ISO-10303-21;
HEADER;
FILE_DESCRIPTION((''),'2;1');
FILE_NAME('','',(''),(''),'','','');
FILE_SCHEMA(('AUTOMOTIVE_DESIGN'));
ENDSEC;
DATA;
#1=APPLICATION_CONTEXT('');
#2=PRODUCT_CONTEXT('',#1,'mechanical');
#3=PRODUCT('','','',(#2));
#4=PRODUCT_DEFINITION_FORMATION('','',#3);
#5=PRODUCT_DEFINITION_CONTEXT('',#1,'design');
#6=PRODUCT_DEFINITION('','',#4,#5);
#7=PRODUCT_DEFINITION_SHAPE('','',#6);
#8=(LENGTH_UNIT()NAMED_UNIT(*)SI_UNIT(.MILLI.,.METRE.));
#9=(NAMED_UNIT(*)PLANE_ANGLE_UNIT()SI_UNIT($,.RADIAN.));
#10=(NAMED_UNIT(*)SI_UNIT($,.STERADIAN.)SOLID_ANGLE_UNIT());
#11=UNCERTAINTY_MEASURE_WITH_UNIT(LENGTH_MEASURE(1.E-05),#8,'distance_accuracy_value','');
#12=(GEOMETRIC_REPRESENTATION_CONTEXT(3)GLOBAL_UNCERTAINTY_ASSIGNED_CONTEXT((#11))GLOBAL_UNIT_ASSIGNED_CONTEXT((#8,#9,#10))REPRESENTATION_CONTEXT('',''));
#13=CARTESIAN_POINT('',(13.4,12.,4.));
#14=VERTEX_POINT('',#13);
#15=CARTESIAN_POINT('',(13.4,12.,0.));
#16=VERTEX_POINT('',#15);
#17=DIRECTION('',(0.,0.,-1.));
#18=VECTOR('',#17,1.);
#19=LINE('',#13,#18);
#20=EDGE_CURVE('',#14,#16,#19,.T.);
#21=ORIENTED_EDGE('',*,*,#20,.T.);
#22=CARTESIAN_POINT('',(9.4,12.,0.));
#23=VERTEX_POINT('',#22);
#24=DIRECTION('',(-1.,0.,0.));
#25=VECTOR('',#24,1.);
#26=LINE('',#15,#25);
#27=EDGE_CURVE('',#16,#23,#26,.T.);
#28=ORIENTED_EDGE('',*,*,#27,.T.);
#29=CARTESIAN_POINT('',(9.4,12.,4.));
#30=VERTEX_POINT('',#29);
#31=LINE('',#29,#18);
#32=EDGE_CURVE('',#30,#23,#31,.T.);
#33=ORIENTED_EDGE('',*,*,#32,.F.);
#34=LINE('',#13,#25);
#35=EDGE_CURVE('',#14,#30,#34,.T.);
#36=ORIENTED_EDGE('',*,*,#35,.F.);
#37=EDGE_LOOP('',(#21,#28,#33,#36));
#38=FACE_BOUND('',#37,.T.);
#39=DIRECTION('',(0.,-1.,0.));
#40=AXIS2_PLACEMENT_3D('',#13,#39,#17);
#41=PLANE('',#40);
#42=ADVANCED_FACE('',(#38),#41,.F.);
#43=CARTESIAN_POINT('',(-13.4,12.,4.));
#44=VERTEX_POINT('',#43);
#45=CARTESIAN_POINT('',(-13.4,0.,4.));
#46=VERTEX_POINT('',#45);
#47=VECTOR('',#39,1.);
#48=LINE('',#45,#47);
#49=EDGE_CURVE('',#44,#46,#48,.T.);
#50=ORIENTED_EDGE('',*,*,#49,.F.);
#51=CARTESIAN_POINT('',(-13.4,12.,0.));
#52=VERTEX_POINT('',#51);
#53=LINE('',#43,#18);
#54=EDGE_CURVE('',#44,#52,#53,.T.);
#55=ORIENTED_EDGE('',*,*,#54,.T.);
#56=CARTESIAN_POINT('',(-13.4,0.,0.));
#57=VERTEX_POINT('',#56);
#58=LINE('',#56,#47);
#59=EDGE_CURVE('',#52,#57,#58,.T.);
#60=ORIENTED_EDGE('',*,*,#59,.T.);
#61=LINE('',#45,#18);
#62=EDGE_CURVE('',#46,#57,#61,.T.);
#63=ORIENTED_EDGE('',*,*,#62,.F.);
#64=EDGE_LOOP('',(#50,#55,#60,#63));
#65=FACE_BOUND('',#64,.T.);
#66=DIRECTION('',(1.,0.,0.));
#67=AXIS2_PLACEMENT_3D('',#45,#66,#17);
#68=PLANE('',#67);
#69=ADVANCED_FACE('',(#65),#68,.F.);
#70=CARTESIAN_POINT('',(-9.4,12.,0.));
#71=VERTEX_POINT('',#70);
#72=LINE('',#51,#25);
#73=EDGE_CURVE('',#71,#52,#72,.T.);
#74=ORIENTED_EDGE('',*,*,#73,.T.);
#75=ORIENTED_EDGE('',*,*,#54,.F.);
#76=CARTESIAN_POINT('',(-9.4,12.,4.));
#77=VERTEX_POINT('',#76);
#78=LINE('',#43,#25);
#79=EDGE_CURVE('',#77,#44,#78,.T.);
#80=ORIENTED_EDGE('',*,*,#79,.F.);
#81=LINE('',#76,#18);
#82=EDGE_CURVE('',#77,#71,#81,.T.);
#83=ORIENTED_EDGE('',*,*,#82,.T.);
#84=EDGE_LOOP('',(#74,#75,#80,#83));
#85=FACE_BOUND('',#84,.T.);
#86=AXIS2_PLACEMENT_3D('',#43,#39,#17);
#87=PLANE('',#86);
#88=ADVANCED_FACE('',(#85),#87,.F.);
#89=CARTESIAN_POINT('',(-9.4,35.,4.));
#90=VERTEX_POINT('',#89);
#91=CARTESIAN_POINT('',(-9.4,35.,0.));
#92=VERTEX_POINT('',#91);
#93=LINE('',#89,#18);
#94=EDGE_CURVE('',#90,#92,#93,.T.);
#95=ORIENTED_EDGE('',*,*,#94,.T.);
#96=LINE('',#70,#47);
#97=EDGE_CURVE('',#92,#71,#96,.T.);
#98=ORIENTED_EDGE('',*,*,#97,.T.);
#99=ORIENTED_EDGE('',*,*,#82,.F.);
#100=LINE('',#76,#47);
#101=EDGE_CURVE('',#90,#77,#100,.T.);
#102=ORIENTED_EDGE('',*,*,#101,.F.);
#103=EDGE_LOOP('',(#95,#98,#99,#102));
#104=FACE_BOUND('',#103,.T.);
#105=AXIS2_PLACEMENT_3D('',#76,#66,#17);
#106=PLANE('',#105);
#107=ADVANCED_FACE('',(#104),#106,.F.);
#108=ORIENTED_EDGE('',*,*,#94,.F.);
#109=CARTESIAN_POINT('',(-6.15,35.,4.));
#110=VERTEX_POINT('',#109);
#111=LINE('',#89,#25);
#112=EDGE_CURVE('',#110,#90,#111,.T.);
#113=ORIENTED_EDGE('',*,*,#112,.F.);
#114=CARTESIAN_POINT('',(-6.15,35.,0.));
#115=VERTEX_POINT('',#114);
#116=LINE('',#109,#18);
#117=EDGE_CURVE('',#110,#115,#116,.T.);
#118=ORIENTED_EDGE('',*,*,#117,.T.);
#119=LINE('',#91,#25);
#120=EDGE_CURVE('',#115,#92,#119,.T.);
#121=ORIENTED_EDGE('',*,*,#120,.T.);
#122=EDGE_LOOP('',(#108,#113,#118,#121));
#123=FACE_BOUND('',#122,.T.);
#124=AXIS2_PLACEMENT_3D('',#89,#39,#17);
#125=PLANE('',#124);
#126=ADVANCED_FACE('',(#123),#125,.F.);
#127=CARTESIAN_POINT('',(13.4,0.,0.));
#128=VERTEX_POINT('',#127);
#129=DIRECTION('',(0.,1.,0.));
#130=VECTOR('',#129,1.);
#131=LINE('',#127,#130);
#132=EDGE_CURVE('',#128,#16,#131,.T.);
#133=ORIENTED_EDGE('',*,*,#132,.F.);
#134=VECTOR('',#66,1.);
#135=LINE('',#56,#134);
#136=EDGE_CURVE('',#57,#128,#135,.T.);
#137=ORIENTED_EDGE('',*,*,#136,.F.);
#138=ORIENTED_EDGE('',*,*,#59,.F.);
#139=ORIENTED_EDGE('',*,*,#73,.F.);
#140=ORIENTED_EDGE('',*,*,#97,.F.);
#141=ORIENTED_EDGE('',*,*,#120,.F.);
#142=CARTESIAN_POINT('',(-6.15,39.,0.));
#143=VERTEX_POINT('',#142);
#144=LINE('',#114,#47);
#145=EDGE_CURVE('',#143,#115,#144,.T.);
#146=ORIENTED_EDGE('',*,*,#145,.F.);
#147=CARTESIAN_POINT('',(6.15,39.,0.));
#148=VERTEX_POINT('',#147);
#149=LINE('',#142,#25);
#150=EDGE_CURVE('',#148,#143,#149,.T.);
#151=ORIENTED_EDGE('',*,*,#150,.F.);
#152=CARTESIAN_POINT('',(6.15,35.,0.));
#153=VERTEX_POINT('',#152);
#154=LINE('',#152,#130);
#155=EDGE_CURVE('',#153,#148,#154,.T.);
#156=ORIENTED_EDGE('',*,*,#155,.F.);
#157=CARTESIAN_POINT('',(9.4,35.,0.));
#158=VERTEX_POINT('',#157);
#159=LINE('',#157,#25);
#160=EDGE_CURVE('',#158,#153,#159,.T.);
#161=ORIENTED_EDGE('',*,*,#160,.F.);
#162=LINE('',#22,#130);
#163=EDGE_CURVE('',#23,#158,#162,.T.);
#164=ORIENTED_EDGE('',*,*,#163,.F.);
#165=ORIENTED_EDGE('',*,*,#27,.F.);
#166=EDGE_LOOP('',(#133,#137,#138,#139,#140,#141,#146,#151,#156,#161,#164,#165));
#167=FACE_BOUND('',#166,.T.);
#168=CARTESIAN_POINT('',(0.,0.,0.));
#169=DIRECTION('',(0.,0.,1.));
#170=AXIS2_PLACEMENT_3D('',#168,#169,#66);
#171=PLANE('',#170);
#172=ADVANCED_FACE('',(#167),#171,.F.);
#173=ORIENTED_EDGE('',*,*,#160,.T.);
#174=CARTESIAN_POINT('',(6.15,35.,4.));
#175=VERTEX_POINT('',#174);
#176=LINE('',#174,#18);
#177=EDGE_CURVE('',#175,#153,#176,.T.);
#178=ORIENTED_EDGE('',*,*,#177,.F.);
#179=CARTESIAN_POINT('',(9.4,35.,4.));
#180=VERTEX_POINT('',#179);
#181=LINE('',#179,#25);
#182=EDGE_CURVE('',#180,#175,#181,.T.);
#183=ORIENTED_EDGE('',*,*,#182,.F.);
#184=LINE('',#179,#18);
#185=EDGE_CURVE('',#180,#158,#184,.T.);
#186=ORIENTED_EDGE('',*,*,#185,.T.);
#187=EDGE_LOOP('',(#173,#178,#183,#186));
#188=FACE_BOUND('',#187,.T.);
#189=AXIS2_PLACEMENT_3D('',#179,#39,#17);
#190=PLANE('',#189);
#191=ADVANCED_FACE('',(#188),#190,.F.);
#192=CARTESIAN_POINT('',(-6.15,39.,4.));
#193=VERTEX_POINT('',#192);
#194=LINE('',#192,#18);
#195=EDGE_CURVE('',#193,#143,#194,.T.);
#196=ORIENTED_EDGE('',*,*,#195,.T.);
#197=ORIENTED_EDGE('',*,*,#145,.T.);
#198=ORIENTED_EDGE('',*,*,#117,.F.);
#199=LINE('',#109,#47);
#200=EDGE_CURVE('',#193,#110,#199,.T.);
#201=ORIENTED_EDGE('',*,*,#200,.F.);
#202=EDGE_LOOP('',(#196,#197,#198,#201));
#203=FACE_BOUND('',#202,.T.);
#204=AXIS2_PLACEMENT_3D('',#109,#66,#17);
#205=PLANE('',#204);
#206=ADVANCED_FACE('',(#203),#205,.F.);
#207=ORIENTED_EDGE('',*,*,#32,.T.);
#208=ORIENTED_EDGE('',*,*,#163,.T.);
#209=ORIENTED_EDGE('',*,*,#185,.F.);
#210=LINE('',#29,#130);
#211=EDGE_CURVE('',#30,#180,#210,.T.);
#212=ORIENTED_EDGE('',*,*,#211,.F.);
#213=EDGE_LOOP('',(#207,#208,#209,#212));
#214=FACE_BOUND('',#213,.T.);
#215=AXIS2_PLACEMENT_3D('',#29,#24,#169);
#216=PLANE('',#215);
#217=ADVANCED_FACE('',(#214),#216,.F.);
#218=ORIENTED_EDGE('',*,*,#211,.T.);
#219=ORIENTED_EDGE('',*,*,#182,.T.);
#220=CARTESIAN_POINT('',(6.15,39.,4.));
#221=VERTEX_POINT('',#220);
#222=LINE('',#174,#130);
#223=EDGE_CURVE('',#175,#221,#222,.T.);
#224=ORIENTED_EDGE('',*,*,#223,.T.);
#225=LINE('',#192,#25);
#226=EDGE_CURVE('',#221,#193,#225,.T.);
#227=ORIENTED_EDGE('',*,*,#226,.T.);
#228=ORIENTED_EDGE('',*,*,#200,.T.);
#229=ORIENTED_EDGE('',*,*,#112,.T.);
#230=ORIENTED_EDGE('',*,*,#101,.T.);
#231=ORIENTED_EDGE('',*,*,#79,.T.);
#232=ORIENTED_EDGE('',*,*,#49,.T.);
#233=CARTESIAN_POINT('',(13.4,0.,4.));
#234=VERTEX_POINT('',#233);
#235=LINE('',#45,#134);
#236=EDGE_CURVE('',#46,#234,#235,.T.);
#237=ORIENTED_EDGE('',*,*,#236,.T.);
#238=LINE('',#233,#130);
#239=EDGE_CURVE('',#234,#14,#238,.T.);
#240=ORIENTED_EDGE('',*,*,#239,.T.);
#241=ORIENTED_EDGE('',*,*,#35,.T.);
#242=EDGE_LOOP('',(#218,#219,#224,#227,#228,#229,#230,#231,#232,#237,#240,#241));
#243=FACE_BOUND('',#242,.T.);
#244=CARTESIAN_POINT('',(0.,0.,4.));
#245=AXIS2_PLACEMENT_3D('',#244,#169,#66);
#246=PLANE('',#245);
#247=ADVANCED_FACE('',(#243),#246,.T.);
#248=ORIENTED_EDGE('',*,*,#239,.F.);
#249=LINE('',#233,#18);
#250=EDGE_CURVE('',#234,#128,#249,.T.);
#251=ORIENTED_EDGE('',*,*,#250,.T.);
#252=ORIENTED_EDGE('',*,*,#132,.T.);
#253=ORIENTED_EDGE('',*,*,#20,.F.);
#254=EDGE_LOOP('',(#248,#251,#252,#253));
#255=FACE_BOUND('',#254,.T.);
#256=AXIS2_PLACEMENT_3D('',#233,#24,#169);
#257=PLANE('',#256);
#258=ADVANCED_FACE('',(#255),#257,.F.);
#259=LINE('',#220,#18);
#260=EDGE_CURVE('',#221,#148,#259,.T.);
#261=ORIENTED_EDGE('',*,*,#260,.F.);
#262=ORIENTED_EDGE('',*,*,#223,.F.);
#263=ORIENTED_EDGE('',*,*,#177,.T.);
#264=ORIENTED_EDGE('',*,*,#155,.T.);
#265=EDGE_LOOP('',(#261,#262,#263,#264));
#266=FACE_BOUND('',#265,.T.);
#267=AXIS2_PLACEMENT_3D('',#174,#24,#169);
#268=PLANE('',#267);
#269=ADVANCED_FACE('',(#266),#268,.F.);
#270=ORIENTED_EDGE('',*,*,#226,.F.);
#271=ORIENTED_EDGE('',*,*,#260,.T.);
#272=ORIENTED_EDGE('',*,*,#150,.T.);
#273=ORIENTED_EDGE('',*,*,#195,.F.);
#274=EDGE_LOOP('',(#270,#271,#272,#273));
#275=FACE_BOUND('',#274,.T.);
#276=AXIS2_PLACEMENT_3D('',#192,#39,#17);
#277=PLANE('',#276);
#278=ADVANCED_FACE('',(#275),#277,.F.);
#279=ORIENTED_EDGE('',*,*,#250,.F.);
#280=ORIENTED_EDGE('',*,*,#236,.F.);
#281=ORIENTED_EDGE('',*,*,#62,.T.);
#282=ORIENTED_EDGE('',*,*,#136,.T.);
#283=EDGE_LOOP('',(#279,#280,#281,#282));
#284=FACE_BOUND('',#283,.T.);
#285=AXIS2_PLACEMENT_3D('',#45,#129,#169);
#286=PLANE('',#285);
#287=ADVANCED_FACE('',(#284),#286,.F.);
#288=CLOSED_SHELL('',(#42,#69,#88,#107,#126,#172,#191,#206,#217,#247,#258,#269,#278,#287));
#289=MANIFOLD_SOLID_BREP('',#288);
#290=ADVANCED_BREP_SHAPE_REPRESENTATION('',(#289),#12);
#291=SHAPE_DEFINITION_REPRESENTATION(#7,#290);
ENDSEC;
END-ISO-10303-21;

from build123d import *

# Parameters (mm, degrees)
AUFSATZ_LINEAR_AUSTRAGEN1_DEPTH = 4


with BuildPart() as part:
    # Skizze1 → Aufsatz-Linear austragen1 (new body)
    with BuildSketch(Plane.XY):
        Polygon((-13.4, 0), (-13.4, 12), (-9.4, 12), (-9.4, 35), (-6.15, 35), (-6.15, 39), (6.15, 39), (6.15, 35), (9.4, 35), (9.4, 12), (13.4, 12), (13.4, 0), align=None)
    extrude(amount=AUFSATZ_LINEAR_AUSTRAGEN1_DEPTH)


solid = part.part
